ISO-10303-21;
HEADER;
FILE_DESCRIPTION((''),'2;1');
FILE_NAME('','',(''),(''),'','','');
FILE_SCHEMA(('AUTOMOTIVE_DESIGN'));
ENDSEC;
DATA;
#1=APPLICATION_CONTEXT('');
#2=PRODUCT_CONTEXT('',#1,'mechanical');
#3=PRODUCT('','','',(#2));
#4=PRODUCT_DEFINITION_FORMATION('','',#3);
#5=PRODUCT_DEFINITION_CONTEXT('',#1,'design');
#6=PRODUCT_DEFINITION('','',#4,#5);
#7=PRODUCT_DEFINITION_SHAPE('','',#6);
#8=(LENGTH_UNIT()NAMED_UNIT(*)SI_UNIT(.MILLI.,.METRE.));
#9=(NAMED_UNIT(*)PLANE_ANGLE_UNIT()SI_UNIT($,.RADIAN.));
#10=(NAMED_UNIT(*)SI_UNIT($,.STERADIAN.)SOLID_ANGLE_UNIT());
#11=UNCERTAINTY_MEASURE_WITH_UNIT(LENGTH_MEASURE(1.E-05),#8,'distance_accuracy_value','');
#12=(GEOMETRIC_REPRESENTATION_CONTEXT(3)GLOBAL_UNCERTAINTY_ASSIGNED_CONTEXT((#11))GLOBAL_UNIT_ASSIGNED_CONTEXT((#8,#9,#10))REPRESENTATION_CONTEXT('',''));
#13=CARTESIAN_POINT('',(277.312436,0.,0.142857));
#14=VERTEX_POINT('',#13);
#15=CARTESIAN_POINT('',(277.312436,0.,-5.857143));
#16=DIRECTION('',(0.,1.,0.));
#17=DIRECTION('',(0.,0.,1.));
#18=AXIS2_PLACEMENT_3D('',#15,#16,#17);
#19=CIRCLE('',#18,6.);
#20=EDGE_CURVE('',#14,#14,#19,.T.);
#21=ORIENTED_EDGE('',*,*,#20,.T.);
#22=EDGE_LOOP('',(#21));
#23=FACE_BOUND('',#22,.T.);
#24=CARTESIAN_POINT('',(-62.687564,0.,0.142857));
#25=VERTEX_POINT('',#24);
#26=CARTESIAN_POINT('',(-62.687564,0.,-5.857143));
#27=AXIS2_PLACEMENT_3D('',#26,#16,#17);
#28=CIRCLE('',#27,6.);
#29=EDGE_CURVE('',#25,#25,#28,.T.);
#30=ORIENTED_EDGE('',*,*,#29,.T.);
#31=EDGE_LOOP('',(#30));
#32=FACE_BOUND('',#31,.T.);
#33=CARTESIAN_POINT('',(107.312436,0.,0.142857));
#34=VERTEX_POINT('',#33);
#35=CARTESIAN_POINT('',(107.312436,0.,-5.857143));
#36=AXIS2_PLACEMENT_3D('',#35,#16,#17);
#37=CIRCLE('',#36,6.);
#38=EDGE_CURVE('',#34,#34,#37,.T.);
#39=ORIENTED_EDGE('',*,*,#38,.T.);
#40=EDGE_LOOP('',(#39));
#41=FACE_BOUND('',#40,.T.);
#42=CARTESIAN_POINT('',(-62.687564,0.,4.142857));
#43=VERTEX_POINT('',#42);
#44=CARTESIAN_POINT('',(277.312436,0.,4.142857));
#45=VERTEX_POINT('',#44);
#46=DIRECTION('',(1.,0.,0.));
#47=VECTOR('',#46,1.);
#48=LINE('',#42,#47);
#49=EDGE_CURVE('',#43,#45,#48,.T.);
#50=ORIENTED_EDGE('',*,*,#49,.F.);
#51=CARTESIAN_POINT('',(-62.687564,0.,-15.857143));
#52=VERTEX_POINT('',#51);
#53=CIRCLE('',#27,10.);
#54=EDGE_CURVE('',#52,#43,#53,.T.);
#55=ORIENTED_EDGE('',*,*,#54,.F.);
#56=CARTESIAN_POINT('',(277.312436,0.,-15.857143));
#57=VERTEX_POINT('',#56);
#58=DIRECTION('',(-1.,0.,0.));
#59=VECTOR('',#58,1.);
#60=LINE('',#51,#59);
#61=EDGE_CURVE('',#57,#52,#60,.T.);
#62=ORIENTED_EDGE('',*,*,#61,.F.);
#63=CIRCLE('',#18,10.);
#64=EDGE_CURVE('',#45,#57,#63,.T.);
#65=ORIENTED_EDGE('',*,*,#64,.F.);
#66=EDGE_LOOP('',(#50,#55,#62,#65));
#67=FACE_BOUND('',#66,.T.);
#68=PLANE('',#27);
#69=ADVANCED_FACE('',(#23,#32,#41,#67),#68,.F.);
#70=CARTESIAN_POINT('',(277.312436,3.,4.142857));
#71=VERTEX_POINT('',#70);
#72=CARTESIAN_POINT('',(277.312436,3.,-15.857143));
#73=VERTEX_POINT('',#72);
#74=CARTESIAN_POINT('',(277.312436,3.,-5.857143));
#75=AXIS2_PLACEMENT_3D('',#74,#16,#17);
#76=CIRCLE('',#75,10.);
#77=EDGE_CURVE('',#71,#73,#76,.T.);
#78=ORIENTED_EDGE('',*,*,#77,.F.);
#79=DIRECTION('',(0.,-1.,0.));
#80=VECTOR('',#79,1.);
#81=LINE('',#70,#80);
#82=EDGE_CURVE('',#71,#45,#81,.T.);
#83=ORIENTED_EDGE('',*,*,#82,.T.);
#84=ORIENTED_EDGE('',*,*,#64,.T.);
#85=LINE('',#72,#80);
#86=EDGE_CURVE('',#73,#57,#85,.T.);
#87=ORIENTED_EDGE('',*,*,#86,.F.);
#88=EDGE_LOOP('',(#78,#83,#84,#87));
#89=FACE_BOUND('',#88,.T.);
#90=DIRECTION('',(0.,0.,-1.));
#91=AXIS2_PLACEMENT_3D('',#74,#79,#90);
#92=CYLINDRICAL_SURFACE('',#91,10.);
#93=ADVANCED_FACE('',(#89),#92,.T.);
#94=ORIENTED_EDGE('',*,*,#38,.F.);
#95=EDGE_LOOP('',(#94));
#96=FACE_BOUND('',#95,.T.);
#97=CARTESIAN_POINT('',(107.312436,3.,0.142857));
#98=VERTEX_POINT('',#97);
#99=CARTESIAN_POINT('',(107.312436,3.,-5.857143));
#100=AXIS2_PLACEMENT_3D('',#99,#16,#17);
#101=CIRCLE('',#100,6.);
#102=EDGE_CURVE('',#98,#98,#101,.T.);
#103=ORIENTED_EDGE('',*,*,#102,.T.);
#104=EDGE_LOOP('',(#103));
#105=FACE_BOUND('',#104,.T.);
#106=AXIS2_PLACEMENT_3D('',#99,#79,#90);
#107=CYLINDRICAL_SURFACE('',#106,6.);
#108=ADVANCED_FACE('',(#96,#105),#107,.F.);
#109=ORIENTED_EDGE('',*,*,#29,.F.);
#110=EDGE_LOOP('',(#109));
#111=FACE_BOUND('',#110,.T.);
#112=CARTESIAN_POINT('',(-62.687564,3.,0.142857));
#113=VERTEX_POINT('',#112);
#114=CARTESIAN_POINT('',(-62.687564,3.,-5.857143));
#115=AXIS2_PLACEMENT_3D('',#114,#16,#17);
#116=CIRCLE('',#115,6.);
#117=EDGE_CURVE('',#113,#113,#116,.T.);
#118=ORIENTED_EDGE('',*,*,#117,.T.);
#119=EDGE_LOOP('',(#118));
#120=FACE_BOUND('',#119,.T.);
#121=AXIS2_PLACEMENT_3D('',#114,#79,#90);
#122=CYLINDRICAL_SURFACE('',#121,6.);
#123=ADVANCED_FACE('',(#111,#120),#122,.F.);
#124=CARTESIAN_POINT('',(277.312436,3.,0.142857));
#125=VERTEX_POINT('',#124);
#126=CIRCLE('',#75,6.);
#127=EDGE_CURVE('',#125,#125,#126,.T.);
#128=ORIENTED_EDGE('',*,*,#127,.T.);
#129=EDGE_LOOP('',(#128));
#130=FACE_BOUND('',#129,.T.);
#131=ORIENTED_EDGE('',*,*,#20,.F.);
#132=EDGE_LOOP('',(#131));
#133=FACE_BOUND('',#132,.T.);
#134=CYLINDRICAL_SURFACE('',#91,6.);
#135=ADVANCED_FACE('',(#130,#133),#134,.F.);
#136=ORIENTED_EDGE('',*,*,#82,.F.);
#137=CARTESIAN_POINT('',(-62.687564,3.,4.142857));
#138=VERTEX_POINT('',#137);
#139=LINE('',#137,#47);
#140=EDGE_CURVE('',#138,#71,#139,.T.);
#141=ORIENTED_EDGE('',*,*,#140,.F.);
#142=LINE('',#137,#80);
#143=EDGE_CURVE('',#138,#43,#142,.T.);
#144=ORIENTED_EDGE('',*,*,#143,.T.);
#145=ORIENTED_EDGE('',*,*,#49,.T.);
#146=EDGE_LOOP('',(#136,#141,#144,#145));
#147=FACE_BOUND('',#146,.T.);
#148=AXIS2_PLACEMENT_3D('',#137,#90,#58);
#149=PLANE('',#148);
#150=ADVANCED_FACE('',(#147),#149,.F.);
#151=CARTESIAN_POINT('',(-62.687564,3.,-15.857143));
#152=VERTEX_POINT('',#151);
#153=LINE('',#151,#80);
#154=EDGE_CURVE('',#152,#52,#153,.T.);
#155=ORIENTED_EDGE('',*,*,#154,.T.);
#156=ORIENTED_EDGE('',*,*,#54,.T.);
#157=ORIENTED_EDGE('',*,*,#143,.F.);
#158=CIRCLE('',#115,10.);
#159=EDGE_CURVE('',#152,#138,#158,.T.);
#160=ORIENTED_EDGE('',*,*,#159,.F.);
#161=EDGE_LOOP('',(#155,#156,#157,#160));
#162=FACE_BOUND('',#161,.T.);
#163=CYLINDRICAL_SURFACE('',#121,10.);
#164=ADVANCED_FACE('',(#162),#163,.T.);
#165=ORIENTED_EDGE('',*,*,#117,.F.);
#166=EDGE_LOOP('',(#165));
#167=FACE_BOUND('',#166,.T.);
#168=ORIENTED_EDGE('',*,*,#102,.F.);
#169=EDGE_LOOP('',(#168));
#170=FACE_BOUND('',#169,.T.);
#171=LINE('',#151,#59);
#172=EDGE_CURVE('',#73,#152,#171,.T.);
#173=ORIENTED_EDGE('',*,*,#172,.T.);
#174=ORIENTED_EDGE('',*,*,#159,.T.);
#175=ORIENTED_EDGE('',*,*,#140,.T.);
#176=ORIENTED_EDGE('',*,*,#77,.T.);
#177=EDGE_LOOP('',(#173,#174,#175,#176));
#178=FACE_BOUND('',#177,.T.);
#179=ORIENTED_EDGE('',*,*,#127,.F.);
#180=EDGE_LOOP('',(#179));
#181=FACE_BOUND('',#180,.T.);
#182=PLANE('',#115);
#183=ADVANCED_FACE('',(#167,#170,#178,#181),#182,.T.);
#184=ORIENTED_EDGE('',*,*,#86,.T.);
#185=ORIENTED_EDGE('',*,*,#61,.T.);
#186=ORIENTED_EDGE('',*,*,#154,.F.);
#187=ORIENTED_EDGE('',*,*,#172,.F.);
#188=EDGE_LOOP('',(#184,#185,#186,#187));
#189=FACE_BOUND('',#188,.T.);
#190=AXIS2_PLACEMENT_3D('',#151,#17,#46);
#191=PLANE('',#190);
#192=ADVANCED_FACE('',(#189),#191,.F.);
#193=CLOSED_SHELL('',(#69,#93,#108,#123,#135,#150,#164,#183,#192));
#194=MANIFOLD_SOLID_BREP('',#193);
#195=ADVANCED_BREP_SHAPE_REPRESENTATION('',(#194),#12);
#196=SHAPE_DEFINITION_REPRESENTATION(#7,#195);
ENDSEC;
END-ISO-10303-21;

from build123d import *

# Parameters (mm, degrees)
SKETCH1_R           = 6
BOSS_EXTRUDE1_DEPTH = 3


with BuildPart() as part:
    # Sketch1 → Boss-Extrude1 (new body)
    with BuildSketch(Plane(origin=(0, 0, 0), x_dir=(1, 0, 0), z_dir=(0, 1, 0))):
        with BuildLine():
            Line((-62.687563754, 15.857142857), (277.312436246, 15.857142857))
            ThreePointArc((277.312436246, 15.857142857), (287.312436246, 5.857142857), (277.312436246, -4.142857143))
            Line((277.312436246, -4.142857143), (-62.687563754, -4.142857143))
            ThreePointArc((-62.687563754, -4.142857143), (-72.687563754, 5.857142857), (-62.687563754, 15.857142857))
        make_face()
        with Locations((-62.687563754, 5.857142857)):
            Circle(SKETCH1_R, mode=Mode.SUBTRACT)
        with Locations((277.312436246, 5.857142857)):
            Circle(SKETCH1_R, mode=Mode.SUBTRACT)
        with Locations((107.312436246, 5.857142857)):
            Circle(SKETCH1_R, mode=Mode.SUBTRACT)
    extrude(amount=BOSS_EXTRUDE1_DEPTH)


solid = part.part
